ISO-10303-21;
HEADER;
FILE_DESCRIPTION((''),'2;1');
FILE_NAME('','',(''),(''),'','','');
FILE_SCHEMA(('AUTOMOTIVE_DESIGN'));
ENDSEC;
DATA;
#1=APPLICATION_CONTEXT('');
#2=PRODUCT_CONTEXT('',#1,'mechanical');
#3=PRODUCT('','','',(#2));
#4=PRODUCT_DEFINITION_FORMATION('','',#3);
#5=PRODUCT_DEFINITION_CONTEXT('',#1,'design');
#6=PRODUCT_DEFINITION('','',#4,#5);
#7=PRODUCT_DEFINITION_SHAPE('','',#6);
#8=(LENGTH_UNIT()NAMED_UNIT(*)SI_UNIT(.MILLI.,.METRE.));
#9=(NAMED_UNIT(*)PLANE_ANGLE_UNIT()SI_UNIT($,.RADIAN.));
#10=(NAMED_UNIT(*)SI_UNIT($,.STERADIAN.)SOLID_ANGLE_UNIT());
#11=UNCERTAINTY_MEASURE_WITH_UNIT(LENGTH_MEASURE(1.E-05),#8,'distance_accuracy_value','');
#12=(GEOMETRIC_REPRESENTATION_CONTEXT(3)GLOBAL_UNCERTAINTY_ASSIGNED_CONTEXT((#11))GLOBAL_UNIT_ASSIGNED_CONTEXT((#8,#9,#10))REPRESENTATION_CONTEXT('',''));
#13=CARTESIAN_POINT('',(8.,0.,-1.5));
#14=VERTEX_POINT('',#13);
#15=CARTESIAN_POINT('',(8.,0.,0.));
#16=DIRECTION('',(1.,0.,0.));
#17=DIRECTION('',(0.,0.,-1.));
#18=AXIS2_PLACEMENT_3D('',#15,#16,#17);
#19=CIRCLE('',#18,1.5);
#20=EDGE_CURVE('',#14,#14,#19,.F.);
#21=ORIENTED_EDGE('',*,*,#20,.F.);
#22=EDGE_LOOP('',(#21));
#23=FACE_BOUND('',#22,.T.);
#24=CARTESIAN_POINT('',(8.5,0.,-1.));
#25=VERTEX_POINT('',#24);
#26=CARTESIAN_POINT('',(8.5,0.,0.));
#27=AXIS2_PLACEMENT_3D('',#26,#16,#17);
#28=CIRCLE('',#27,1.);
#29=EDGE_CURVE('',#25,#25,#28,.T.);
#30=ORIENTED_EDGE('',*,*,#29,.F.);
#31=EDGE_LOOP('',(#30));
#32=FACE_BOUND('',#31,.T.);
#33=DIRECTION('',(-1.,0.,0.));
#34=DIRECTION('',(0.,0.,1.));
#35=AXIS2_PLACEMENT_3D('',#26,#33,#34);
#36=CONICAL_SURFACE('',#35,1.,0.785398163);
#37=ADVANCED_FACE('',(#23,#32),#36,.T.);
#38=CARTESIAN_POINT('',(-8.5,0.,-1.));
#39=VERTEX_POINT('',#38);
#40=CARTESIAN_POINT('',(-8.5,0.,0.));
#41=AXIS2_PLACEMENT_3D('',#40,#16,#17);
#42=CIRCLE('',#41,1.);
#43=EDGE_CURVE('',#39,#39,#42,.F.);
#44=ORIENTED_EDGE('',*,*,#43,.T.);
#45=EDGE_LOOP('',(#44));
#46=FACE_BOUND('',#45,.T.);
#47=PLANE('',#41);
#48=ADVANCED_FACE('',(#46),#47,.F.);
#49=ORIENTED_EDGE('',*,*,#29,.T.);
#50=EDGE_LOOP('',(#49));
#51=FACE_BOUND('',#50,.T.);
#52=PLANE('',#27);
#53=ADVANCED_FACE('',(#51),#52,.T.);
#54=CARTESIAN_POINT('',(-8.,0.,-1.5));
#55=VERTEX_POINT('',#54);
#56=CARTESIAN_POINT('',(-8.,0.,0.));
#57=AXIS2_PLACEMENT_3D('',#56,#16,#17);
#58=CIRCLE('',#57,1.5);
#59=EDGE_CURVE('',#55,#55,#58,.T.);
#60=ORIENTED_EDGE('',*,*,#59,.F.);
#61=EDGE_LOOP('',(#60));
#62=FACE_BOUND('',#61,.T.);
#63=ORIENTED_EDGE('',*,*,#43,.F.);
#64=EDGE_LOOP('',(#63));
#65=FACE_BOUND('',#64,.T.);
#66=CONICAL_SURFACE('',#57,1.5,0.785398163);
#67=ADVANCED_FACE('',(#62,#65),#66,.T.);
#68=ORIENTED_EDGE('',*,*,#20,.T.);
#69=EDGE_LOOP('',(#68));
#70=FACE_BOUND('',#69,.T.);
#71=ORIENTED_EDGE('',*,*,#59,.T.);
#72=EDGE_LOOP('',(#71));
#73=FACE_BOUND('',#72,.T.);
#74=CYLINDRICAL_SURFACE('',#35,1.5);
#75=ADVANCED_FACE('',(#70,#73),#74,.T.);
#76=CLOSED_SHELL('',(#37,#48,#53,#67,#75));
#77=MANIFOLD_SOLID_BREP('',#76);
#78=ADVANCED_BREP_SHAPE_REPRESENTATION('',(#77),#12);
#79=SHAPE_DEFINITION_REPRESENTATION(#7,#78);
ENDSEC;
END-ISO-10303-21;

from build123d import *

# Parameters (mm, degrees)
ESQUISSE1_R     = 1.5
AXE_DEPTH       = 8.5
CHANFREIN1_SIZE = 0.5


with BuildPart() as part:
    # Esquisse1 → AXE (new body, symmetric)
    with BuildSketch(Plane(origin=(0, 0, 0), x_dir=(0, 0, -1), z_dir=(1, 0, 0))):
        Circle(ESQUISSE1_R)
    extrude(amount=AXE_DEPTH, both=True)

    # Chanfrein1
    chanfrein1_edges = [part.edges().sort_by_distance(p)[0] for p in [
        (-8.5, 0, 1.5),
        (8.5, 0, 1.5),
    ]]
    chamfer(chanfrein1_edges, length=CHANFREIN1_SIZE)


solid = part.part
